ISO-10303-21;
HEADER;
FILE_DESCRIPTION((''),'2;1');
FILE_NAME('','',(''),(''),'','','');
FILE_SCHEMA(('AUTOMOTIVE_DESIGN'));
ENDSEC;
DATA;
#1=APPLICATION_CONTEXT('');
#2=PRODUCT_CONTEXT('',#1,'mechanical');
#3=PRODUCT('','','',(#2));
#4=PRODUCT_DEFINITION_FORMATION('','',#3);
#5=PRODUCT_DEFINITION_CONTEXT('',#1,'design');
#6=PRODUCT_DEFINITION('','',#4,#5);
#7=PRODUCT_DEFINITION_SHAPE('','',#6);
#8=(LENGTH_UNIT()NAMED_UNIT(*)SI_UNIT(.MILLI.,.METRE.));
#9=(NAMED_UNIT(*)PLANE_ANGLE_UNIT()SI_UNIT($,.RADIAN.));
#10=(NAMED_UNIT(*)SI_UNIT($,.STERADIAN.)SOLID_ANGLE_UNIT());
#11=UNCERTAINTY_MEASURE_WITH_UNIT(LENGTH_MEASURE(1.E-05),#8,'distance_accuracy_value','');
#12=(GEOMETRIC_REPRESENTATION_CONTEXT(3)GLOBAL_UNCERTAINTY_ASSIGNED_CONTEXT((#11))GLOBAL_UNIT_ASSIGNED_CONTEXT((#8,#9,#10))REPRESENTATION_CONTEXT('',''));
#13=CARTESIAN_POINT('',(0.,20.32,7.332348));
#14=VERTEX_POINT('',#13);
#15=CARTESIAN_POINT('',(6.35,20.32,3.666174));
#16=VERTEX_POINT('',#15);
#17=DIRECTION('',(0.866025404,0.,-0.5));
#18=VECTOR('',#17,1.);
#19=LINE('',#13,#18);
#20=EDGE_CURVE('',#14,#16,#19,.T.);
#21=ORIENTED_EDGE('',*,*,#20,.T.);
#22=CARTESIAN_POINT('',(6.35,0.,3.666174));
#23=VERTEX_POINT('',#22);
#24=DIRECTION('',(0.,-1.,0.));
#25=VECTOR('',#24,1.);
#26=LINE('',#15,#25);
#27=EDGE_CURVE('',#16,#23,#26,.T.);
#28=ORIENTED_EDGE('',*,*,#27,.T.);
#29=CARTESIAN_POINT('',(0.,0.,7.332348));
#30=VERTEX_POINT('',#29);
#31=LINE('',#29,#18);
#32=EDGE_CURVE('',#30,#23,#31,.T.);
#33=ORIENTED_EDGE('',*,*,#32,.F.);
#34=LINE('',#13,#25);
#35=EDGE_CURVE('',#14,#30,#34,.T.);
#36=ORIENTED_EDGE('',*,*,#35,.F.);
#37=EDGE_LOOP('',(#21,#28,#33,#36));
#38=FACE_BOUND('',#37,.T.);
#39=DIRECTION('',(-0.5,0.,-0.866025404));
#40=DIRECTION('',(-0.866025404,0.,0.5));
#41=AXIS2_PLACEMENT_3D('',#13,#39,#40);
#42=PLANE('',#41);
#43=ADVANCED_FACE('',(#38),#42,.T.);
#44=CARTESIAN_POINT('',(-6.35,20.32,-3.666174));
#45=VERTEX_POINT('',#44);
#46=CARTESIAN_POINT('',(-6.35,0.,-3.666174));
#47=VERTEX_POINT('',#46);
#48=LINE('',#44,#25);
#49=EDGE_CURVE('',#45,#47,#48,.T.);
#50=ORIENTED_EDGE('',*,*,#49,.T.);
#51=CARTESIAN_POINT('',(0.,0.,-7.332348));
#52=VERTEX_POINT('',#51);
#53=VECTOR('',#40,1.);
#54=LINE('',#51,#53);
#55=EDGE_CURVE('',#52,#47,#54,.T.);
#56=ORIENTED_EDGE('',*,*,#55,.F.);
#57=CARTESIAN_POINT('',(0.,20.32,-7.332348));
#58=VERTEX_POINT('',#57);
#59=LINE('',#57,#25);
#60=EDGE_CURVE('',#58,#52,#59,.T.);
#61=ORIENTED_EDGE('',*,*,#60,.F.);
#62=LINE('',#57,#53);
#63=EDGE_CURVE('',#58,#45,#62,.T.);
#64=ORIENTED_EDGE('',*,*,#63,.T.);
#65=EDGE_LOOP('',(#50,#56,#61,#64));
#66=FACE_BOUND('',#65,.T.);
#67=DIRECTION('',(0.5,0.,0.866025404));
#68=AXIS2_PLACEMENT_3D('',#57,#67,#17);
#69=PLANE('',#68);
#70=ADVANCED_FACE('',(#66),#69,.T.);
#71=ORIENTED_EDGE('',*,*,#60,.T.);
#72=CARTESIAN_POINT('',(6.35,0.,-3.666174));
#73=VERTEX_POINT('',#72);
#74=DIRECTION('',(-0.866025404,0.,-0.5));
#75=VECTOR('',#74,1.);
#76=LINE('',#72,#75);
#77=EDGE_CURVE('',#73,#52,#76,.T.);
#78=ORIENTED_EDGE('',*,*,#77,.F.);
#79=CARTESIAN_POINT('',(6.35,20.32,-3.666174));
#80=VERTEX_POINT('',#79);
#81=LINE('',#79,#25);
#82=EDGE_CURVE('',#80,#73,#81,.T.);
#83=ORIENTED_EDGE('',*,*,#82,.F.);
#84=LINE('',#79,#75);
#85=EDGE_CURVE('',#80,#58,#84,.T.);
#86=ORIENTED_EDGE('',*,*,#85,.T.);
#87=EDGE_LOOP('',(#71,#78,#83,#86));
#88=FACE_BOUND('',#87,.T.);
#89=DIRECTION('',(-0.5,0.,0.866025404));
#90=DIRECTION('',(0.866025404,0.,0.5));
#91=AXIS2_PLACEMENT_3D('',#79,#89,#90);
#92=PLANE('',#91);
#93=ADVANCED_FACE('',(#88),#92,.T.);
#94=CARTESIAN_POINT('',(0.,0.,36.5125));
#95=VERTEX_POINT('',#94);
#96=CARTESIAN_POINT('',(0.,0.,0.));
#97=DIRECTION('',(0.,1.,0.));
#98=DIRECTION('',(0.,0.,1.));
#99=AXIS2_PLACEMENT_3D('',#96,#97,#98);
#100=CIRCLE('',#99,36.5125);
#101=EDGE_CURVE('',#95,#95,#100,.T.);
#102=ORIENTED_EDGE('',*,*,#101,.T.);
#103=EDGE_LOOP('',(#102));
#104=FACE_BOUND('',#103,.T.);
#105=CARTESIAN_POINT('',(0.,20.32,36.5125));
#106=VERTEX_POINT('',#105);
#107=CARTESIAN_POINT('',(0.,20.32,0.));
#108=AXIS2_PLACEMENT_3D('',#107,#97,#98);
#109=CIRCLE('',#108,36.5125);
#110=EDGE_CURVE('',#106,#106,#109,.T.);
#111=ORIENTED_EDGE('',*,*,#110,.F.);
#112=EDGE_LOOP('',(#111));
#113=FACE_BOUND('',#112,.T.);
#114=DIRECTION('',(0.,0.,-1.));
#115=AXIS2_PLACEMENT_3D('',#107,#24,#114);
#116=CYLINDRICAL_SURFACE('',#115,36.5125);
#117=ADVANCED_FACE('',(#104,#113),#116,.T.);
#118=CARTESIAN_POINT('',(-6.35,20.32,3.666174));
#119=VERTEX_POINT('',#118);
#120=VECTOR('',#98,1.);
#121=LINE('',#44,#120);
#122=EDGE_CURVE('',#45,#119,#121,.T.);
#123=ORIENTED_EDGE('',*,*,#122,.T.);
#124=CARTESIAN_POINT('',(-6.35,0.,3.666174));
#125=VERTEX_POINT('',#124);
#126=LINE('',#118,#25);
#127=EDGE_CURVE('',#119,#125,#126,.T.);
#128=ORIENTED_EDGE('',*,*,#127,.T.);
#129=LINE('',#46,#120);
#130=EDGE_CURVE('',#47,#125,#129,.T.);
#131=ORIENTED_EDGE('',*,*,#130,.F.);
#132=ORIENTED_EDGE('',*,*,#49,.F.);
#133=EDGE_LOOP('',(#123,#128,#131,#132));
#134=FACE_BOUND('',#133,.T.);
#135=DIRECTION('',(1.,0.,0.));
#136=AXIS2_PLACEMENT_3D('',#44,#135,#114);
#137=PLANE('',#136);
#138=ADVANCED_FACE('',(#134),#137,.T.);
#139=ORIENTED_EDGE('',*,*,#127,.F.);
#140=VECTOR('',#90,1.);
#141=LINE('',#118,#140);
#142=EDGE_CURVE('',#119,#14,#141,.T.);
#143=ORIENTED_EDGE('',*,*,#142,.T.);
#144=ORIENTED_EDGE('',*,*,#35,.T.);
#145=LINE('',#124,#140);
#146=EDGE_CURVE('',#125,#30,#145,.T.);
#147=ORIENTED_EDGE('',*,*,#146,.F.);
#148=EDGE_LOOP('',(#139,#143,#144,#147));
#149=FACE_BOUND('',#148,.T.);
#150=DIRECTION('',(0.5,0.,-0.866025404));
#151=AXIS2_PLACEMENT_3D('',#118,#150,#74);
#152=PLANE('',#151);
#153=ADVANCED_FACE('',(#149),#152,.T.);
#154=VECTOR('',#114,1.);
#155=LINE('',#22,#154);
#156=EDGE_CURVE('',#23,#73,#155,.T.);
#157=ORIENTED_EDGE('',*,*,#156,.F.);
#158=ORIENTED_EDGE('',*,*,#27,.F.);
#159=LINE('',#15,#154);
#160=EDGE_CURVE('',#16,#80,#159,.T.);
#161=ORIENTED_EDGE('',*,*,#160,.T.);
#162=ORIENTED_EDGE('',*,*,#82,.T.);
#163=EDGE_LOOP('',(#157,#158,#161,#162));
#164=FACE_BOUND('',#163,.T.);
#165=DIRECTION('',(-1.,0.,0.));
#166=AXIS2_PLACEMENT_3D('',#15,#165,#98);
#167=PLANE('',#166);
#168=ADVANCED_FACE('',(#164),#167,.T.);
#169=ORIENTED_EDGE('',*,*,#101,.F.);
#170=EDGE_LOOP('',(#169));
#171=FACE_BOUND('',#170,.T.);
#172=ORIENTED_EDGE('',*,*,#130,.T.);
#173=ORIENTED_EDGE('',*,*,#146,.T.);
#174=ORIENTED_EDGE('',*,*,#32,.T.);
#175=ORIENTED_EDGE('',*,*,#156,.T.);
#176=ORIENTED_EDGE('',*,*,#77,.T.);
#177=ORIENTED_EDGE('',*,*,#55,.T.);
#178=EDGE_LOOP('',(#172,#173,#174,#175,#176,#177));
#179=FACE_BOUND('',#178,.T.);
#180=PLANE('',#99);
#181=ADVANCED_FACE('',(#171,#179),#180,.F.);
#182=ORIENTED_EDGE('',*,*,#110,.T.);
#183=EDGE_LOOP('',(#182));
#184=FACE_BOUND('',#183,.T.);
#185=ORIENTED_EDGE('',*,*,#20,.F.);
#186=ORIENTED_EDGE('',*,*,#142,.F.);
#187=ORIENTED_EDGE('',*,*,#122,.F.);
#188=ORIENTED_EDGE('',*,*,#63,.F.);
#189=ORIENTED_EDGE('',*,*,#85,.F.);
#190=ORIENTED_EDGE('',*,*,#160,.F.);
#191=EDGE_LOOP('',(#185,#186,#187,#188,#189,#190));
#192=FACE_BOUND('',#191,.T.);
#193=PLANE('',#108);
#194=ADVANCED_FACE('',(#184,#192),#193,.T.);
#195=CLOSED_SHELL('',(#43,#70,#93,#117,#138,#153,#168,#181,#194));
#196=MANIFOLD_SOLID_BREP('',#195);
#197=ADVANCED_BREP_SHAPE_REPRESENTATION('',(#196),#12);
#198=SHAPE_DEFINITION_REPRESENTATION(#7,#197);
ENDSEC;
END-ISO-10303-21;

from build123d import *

# Parameters (mm, degrees)
SKETCH2_R           = 36.5125
BOSS_EXTRUDE1_DEPTH = 20.32


with BuildPart() as part:
    # Sketch2 → Boss-Extrude1 (new body)
    with BuildSketch(Plane(origin=(0, 0, 0), x_dir=(1, 0, 0), z_dir=(0, 1, 0))):
        Circle(SKETCH2_R)
        Polygon((0, 7.332348419), (-6.35, 3.666174209), (-6.35, -3.666174209), (0, -7.332348419), (6.35, -3.666174209), (6.35, 3.666174209), align=None, mode=Mode.SUBTRACT)
    extrude(amount=BOSS_EXTRUDE1_DEPTH)


solid = part.part
